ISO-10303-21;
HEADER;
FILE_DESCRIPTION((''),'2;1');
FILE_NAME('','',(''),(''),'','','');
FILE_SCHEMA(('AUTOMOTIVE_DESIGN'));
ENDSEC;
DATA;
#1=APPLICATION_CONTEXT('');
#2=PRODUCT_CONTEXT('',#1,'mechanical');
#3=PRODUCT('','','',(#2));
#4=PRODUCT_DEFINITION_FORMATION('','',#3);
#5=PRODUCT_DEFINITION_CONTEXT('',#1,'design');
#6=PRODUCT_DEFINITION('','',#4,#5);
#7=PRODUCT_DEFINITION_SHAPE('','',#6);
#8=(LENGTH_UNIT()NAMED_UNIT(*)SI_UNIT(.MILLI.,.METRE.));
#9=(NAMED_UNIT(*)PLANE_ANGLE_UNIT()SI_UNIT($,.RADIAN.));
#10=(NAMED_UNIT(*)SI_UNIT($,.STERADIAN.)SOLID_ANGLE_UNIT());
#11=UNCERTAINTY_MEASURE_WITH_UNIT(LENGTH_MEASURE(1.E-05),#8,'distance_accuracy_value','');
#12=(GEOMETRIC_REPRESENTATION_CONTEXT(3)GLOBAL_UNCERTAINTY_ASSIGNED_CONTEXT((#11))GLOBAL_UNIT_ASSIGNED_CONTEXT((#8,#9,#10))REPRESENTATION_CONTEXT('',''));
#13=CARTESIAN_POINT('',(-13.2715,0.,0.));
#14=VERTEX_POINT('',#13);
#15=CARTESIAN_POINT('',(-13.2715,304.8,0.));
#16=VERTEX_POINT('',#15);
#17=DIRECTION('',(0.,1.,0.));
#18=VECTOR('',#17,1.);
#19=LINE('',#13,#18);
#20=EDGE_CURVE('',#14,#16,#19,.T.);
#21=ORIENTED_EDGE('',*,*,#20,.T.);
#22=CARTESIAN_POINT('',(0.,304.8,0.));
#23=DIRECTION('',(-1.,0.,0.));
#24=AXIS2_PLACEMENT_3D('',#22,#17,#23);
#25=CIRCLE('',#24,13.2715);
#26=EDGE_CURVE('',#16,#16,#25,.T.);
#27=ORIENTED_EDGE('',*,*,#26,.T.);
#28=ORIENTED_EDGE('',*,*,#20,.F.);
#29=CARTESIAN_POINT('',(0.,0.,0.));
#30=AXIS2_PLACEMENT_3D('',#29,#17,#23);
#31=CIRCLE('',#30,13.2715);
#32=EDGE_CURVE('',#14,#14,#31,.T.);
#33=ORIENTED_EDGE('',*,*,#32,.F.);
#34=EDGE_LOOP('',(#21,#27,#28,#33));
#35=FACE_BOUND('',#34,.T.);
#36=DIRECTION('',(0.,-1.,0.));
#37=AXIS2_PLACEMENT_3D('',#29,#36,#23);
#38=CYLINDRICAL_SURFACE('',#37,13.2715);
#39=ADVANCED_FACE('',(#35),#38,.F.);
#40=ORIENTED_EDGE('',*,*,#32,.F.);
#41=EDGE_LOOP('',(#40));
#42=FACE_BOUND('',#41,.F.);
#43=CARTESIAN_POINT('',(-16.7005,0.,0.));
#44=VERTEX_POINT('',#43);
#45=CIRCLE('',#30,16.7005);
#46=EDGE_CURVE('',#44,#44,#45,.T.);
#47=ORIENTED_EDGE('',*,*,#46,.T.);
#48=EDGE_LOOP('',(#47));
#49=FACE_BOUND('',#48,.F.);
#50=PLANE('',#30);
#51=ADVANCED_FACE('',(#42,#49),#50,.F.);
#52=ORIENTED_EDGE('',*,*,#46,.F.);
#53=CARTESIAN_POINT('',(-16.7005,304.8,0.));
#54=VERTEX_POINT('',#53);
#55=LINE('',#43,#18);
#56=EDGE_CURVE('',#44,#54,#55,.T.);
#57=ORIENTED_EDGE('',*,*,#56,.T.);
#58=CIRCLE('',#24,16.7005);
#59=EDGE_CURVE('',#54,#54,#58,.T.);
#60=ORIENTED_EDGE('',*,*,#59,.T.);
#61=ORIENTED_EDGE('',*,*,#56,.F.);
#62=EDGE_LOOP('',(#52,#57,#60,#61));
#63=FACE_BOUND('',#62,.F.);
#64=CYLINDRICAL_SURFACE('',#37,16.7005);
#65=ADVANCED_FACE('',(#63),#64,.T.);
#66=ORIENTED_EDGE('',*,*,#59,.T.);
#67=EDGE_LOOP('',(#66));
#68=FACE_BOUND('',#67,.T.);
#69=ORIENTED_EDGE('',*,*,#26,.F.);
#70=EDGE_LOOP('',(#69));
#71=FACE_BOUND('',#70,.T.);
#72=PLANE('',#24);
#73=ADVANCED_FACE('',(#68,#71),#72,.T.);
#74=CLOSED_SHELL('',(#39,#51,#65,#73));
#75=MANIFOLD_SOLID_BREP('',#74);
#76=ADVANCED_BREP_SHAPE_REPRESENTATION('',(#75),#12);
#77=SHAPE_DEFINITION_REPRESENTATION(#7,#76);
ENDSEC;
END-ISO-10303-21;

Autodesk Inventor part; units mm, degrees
ref_plane "YZ Plane" through (0, 0, 0) normal (1, 0, 0) x (0, 1, 0)
ref_plane "XZ Plane" through (0, 0, 0) normal (0, 1, 0) x (-1, 0, 0)
ref_plane "XY Plane" through (0, 0, 0) normal (0, 0, 1) x (1, 0, 0)
sketch "Sketch1" plane through (0, 0, 0) normal (0, 1, 0) x (-1, 0, 0)
  circle A0 centre (0, 0) radius 13.2715
  circle A1 centre (0, 0) radius 16.7005
  dimension "d0" = 26.543
  dimension "d1" = 33.401
extrude "Extrusion1" add sketch "Sketch1" along normal blind 304.8
properties part number "pvc pipe 1in 1ft 3"
